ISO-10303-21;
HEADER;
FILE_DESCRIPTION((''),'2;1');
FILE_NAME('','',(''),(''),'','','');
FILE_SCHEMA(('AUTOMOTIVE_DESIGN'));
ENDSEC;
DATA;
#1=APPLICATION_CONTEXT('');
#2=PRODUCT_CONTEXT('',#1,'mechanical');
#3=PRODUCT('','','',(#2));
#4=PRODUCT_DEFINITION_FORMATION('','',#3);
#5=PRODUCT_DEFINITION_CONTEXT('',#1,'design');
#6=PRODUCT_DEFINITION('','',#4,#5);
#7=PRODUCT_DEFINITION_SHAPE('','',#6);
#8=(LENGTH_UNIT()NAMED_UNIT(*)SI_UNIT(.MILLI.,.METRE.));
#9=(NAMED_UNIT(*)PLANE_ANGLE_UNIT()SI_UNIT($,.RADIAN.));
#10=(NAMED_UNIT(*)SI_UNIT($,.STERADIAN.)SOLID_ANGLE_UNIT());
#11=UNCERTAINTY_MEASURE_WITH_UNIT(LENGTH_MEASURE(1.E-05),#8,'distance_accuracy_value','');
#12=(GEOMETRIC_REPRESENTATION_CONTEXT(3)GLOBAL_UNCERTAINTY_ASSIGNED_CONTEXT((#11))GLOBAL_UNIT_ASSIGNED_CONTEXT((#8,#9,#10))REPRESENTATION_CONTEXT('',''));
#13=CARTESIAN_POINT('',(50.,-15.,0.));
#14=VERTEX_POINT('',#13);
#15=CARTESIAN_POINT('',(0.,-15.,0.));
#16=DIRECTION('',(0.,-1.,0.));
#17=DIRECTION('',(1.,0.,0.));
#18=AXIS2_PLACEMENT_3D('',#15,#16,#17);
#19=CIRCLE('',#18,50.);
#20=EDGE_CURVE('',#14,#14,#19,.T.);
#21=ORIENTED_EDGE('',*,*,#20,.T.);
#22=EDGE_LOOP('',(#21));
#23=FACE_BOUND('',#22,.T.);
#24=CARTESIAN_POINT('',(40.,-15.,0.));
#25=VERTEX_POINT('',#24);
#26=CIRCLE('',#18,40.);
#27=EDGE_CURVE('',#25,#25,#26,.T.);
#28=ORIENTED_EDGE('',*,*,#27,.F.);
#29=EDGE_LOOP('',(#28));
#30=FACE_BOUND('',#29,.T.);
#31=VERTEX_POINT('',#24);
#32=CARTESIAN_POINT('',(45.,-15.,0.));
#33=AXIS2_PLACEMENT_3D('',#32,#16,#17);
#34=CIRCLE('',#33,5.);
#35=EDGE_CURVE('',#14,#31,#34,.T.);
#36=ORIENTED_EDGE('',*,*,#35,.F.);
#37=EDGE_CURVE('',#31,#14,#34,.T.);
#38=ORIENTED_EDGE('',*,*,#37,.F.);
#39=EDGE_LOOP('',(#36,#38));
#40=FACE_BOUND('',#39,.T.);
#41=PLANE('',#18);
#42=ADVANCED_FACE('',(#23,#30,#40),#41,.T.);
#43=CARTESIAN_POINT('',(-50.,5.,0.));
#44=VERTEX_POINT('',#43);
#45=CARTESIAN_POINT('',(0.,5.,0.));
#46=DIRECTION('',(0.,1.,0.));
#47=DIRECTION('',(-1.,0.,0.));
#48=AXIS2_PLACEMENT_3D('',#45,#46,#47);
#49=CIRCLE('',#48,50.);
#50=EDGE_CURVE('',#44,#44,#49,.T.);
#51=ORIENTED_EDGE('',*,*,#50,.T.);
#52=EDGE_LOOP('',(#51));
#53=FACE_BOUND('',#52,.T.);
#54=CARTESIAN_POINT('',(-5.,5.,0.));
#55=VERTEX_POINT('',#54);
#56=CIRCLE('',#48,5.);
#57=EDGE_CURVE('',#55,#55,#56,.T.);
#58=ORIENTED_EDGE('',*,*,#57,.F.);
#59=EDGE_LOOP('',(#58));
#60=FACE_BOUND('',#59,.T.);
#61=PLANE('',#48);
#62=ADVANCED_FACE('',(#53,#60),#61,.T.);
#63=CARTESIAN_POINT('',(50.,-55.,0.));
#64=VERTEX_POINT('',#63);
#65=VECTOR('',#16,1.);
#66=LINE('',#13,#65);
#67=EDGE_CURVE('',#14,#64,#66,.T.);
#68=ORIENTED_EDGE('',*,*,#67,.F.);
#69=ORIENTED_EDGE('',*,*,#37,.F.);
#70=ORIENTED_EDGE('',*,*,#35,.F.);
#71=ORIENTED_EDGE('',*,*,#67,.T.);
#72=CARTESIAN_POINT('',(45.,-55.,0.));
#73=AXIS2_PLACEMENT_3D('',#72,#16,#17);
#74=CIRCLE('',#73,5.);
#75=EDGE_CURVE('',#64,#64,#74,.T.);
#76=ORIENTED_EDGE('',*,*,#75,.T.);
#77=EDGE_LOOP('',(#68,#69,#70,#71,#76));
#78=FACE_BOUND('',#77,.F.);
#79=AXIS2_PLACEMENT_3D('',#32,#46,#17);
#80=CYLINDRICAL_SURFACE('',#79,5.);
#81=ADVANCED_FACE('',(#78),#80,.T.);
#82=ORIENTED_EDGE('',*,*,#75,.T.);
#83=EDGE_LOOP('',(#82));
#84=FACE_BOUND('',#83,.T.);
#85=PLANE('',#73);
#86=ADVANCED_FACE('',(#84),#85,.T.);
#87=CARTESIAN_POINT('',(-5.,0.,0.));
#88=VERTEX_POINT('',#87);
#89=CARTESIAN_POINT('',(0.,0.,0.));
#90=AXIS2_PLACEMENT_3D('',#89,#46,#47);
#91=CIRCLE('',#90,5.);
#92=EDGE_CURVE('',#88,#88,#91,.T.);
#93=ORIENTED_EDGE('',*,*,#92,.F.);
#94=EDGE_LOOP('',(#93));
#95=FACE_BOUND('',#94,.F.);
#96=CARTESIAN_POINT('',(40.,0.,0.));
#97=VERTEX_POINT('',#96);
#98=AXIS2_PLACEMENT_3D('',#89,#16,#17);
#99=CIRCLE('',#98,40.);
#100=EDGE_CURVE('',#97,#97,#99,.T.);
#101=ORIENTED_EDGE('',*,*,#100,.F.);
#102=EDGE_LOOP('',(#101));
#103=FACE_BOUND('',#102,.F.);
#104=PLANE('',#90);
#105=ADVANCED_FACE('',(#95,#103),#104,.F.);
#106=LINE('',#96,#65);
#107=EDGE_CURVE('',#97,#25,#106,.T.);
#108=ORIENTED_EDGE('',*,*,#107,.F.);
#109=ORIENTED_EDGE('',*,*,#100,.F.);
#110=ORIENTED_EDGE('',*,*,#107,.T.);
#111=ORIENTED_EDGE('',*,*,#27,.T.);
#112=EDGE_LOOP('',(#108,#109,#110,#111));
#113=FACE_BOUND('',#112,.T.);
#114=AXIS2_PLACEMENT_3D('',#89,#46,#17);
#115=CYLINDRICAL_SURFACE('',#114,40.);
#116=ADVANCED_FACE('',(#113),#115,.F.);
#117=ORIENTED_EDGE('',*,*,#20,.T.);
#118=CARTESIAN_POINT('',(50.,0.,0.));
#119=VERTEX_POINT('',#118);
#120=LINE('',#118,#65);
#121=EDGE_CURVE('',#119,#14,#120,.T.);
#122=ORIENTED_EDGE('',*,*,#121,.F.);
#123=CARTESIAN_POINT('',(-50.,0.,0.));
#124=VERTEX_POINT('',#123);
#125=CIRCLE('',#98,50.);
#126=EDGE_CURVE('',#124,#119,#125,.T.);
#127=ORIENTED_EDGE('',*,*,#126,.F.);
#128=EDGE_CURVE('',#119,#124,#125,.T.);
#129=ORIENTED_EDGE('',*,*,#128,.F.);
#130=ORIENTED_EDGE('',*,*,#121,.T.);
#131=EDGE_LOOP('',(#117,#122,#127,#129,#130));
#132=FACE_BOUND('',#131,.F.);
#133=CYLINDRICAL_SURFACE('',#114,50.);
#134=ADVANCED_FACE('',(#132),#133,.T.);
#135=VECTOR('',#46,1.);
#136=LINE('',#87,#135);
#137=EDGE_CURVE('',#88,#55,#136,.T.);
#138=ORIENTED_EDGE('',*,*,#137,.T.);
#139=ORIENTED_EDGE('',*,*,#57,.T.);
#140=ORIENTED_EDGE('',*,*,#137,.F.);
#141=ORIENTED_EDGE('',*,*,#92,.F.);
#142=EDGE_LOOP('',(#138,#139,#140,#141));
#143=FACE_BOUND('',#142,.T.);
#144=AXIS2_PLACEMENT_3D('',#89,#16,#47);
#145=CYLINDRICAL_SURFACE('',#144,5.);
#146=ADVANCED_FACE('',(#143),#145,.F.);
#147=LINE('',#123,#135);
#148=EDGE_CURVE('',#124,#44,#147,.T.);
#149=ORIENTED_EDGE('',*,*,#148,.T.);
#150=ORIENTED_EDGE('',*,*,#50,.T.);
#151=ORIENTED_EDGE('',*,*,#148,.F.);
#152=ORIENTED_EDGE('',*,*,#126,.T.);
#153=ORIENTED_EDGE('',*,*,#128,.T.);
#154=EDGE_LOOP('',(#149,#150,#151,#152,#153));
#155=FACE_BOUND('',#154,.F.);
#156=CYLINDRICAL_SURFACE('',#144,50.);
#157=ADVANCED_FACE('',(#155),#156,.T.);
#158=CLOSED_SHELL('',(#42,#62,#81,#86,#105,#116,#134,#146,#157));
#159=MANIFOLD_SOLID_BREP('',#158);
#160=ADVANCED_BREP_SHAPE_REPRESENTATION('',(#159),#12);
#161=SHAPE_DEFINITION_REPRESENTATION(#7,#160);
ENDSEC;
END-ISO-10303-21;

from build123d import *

# Parameters (mm, degrees)
F0_R     = 50
F0_R_2   = 40
F1_DEPTH = 15
F2_R     = 50
F2_R_2   = 5
F3_DEPTH = 5
F4_R     = 5
F5_DEPTH = 40


with BuildPart() as f1:
    # F0 (on Front) → F1 (new body)
    with BuildSketch(Plane.XZ):
        Circle(F0_R)
        Circle(F0_R_2, mode=Mode.SUBTRACT)
    extrude(amount=F1_DEPTH)

    # F2 (on face) → F3 (join)
    with BuildSketch(Plane(origin=(0, 0, 0), x_dir=(-1, 0, 0), z_dir=(0, 1, 0))):
        Circle(F2_R)
        Circle(F2_R_2, mode=Mode.SUBTRACT)
    extrude(amount=F3_DEPTH)

    # F4 (on face) → F5 (join)
    with BuildSketch(Plane.XZ.offset(15)):
        with Locations((45, 0)):
            Circle(F4_R)
    extrude(amount=F5_DEPTH)


solid = f1.part
